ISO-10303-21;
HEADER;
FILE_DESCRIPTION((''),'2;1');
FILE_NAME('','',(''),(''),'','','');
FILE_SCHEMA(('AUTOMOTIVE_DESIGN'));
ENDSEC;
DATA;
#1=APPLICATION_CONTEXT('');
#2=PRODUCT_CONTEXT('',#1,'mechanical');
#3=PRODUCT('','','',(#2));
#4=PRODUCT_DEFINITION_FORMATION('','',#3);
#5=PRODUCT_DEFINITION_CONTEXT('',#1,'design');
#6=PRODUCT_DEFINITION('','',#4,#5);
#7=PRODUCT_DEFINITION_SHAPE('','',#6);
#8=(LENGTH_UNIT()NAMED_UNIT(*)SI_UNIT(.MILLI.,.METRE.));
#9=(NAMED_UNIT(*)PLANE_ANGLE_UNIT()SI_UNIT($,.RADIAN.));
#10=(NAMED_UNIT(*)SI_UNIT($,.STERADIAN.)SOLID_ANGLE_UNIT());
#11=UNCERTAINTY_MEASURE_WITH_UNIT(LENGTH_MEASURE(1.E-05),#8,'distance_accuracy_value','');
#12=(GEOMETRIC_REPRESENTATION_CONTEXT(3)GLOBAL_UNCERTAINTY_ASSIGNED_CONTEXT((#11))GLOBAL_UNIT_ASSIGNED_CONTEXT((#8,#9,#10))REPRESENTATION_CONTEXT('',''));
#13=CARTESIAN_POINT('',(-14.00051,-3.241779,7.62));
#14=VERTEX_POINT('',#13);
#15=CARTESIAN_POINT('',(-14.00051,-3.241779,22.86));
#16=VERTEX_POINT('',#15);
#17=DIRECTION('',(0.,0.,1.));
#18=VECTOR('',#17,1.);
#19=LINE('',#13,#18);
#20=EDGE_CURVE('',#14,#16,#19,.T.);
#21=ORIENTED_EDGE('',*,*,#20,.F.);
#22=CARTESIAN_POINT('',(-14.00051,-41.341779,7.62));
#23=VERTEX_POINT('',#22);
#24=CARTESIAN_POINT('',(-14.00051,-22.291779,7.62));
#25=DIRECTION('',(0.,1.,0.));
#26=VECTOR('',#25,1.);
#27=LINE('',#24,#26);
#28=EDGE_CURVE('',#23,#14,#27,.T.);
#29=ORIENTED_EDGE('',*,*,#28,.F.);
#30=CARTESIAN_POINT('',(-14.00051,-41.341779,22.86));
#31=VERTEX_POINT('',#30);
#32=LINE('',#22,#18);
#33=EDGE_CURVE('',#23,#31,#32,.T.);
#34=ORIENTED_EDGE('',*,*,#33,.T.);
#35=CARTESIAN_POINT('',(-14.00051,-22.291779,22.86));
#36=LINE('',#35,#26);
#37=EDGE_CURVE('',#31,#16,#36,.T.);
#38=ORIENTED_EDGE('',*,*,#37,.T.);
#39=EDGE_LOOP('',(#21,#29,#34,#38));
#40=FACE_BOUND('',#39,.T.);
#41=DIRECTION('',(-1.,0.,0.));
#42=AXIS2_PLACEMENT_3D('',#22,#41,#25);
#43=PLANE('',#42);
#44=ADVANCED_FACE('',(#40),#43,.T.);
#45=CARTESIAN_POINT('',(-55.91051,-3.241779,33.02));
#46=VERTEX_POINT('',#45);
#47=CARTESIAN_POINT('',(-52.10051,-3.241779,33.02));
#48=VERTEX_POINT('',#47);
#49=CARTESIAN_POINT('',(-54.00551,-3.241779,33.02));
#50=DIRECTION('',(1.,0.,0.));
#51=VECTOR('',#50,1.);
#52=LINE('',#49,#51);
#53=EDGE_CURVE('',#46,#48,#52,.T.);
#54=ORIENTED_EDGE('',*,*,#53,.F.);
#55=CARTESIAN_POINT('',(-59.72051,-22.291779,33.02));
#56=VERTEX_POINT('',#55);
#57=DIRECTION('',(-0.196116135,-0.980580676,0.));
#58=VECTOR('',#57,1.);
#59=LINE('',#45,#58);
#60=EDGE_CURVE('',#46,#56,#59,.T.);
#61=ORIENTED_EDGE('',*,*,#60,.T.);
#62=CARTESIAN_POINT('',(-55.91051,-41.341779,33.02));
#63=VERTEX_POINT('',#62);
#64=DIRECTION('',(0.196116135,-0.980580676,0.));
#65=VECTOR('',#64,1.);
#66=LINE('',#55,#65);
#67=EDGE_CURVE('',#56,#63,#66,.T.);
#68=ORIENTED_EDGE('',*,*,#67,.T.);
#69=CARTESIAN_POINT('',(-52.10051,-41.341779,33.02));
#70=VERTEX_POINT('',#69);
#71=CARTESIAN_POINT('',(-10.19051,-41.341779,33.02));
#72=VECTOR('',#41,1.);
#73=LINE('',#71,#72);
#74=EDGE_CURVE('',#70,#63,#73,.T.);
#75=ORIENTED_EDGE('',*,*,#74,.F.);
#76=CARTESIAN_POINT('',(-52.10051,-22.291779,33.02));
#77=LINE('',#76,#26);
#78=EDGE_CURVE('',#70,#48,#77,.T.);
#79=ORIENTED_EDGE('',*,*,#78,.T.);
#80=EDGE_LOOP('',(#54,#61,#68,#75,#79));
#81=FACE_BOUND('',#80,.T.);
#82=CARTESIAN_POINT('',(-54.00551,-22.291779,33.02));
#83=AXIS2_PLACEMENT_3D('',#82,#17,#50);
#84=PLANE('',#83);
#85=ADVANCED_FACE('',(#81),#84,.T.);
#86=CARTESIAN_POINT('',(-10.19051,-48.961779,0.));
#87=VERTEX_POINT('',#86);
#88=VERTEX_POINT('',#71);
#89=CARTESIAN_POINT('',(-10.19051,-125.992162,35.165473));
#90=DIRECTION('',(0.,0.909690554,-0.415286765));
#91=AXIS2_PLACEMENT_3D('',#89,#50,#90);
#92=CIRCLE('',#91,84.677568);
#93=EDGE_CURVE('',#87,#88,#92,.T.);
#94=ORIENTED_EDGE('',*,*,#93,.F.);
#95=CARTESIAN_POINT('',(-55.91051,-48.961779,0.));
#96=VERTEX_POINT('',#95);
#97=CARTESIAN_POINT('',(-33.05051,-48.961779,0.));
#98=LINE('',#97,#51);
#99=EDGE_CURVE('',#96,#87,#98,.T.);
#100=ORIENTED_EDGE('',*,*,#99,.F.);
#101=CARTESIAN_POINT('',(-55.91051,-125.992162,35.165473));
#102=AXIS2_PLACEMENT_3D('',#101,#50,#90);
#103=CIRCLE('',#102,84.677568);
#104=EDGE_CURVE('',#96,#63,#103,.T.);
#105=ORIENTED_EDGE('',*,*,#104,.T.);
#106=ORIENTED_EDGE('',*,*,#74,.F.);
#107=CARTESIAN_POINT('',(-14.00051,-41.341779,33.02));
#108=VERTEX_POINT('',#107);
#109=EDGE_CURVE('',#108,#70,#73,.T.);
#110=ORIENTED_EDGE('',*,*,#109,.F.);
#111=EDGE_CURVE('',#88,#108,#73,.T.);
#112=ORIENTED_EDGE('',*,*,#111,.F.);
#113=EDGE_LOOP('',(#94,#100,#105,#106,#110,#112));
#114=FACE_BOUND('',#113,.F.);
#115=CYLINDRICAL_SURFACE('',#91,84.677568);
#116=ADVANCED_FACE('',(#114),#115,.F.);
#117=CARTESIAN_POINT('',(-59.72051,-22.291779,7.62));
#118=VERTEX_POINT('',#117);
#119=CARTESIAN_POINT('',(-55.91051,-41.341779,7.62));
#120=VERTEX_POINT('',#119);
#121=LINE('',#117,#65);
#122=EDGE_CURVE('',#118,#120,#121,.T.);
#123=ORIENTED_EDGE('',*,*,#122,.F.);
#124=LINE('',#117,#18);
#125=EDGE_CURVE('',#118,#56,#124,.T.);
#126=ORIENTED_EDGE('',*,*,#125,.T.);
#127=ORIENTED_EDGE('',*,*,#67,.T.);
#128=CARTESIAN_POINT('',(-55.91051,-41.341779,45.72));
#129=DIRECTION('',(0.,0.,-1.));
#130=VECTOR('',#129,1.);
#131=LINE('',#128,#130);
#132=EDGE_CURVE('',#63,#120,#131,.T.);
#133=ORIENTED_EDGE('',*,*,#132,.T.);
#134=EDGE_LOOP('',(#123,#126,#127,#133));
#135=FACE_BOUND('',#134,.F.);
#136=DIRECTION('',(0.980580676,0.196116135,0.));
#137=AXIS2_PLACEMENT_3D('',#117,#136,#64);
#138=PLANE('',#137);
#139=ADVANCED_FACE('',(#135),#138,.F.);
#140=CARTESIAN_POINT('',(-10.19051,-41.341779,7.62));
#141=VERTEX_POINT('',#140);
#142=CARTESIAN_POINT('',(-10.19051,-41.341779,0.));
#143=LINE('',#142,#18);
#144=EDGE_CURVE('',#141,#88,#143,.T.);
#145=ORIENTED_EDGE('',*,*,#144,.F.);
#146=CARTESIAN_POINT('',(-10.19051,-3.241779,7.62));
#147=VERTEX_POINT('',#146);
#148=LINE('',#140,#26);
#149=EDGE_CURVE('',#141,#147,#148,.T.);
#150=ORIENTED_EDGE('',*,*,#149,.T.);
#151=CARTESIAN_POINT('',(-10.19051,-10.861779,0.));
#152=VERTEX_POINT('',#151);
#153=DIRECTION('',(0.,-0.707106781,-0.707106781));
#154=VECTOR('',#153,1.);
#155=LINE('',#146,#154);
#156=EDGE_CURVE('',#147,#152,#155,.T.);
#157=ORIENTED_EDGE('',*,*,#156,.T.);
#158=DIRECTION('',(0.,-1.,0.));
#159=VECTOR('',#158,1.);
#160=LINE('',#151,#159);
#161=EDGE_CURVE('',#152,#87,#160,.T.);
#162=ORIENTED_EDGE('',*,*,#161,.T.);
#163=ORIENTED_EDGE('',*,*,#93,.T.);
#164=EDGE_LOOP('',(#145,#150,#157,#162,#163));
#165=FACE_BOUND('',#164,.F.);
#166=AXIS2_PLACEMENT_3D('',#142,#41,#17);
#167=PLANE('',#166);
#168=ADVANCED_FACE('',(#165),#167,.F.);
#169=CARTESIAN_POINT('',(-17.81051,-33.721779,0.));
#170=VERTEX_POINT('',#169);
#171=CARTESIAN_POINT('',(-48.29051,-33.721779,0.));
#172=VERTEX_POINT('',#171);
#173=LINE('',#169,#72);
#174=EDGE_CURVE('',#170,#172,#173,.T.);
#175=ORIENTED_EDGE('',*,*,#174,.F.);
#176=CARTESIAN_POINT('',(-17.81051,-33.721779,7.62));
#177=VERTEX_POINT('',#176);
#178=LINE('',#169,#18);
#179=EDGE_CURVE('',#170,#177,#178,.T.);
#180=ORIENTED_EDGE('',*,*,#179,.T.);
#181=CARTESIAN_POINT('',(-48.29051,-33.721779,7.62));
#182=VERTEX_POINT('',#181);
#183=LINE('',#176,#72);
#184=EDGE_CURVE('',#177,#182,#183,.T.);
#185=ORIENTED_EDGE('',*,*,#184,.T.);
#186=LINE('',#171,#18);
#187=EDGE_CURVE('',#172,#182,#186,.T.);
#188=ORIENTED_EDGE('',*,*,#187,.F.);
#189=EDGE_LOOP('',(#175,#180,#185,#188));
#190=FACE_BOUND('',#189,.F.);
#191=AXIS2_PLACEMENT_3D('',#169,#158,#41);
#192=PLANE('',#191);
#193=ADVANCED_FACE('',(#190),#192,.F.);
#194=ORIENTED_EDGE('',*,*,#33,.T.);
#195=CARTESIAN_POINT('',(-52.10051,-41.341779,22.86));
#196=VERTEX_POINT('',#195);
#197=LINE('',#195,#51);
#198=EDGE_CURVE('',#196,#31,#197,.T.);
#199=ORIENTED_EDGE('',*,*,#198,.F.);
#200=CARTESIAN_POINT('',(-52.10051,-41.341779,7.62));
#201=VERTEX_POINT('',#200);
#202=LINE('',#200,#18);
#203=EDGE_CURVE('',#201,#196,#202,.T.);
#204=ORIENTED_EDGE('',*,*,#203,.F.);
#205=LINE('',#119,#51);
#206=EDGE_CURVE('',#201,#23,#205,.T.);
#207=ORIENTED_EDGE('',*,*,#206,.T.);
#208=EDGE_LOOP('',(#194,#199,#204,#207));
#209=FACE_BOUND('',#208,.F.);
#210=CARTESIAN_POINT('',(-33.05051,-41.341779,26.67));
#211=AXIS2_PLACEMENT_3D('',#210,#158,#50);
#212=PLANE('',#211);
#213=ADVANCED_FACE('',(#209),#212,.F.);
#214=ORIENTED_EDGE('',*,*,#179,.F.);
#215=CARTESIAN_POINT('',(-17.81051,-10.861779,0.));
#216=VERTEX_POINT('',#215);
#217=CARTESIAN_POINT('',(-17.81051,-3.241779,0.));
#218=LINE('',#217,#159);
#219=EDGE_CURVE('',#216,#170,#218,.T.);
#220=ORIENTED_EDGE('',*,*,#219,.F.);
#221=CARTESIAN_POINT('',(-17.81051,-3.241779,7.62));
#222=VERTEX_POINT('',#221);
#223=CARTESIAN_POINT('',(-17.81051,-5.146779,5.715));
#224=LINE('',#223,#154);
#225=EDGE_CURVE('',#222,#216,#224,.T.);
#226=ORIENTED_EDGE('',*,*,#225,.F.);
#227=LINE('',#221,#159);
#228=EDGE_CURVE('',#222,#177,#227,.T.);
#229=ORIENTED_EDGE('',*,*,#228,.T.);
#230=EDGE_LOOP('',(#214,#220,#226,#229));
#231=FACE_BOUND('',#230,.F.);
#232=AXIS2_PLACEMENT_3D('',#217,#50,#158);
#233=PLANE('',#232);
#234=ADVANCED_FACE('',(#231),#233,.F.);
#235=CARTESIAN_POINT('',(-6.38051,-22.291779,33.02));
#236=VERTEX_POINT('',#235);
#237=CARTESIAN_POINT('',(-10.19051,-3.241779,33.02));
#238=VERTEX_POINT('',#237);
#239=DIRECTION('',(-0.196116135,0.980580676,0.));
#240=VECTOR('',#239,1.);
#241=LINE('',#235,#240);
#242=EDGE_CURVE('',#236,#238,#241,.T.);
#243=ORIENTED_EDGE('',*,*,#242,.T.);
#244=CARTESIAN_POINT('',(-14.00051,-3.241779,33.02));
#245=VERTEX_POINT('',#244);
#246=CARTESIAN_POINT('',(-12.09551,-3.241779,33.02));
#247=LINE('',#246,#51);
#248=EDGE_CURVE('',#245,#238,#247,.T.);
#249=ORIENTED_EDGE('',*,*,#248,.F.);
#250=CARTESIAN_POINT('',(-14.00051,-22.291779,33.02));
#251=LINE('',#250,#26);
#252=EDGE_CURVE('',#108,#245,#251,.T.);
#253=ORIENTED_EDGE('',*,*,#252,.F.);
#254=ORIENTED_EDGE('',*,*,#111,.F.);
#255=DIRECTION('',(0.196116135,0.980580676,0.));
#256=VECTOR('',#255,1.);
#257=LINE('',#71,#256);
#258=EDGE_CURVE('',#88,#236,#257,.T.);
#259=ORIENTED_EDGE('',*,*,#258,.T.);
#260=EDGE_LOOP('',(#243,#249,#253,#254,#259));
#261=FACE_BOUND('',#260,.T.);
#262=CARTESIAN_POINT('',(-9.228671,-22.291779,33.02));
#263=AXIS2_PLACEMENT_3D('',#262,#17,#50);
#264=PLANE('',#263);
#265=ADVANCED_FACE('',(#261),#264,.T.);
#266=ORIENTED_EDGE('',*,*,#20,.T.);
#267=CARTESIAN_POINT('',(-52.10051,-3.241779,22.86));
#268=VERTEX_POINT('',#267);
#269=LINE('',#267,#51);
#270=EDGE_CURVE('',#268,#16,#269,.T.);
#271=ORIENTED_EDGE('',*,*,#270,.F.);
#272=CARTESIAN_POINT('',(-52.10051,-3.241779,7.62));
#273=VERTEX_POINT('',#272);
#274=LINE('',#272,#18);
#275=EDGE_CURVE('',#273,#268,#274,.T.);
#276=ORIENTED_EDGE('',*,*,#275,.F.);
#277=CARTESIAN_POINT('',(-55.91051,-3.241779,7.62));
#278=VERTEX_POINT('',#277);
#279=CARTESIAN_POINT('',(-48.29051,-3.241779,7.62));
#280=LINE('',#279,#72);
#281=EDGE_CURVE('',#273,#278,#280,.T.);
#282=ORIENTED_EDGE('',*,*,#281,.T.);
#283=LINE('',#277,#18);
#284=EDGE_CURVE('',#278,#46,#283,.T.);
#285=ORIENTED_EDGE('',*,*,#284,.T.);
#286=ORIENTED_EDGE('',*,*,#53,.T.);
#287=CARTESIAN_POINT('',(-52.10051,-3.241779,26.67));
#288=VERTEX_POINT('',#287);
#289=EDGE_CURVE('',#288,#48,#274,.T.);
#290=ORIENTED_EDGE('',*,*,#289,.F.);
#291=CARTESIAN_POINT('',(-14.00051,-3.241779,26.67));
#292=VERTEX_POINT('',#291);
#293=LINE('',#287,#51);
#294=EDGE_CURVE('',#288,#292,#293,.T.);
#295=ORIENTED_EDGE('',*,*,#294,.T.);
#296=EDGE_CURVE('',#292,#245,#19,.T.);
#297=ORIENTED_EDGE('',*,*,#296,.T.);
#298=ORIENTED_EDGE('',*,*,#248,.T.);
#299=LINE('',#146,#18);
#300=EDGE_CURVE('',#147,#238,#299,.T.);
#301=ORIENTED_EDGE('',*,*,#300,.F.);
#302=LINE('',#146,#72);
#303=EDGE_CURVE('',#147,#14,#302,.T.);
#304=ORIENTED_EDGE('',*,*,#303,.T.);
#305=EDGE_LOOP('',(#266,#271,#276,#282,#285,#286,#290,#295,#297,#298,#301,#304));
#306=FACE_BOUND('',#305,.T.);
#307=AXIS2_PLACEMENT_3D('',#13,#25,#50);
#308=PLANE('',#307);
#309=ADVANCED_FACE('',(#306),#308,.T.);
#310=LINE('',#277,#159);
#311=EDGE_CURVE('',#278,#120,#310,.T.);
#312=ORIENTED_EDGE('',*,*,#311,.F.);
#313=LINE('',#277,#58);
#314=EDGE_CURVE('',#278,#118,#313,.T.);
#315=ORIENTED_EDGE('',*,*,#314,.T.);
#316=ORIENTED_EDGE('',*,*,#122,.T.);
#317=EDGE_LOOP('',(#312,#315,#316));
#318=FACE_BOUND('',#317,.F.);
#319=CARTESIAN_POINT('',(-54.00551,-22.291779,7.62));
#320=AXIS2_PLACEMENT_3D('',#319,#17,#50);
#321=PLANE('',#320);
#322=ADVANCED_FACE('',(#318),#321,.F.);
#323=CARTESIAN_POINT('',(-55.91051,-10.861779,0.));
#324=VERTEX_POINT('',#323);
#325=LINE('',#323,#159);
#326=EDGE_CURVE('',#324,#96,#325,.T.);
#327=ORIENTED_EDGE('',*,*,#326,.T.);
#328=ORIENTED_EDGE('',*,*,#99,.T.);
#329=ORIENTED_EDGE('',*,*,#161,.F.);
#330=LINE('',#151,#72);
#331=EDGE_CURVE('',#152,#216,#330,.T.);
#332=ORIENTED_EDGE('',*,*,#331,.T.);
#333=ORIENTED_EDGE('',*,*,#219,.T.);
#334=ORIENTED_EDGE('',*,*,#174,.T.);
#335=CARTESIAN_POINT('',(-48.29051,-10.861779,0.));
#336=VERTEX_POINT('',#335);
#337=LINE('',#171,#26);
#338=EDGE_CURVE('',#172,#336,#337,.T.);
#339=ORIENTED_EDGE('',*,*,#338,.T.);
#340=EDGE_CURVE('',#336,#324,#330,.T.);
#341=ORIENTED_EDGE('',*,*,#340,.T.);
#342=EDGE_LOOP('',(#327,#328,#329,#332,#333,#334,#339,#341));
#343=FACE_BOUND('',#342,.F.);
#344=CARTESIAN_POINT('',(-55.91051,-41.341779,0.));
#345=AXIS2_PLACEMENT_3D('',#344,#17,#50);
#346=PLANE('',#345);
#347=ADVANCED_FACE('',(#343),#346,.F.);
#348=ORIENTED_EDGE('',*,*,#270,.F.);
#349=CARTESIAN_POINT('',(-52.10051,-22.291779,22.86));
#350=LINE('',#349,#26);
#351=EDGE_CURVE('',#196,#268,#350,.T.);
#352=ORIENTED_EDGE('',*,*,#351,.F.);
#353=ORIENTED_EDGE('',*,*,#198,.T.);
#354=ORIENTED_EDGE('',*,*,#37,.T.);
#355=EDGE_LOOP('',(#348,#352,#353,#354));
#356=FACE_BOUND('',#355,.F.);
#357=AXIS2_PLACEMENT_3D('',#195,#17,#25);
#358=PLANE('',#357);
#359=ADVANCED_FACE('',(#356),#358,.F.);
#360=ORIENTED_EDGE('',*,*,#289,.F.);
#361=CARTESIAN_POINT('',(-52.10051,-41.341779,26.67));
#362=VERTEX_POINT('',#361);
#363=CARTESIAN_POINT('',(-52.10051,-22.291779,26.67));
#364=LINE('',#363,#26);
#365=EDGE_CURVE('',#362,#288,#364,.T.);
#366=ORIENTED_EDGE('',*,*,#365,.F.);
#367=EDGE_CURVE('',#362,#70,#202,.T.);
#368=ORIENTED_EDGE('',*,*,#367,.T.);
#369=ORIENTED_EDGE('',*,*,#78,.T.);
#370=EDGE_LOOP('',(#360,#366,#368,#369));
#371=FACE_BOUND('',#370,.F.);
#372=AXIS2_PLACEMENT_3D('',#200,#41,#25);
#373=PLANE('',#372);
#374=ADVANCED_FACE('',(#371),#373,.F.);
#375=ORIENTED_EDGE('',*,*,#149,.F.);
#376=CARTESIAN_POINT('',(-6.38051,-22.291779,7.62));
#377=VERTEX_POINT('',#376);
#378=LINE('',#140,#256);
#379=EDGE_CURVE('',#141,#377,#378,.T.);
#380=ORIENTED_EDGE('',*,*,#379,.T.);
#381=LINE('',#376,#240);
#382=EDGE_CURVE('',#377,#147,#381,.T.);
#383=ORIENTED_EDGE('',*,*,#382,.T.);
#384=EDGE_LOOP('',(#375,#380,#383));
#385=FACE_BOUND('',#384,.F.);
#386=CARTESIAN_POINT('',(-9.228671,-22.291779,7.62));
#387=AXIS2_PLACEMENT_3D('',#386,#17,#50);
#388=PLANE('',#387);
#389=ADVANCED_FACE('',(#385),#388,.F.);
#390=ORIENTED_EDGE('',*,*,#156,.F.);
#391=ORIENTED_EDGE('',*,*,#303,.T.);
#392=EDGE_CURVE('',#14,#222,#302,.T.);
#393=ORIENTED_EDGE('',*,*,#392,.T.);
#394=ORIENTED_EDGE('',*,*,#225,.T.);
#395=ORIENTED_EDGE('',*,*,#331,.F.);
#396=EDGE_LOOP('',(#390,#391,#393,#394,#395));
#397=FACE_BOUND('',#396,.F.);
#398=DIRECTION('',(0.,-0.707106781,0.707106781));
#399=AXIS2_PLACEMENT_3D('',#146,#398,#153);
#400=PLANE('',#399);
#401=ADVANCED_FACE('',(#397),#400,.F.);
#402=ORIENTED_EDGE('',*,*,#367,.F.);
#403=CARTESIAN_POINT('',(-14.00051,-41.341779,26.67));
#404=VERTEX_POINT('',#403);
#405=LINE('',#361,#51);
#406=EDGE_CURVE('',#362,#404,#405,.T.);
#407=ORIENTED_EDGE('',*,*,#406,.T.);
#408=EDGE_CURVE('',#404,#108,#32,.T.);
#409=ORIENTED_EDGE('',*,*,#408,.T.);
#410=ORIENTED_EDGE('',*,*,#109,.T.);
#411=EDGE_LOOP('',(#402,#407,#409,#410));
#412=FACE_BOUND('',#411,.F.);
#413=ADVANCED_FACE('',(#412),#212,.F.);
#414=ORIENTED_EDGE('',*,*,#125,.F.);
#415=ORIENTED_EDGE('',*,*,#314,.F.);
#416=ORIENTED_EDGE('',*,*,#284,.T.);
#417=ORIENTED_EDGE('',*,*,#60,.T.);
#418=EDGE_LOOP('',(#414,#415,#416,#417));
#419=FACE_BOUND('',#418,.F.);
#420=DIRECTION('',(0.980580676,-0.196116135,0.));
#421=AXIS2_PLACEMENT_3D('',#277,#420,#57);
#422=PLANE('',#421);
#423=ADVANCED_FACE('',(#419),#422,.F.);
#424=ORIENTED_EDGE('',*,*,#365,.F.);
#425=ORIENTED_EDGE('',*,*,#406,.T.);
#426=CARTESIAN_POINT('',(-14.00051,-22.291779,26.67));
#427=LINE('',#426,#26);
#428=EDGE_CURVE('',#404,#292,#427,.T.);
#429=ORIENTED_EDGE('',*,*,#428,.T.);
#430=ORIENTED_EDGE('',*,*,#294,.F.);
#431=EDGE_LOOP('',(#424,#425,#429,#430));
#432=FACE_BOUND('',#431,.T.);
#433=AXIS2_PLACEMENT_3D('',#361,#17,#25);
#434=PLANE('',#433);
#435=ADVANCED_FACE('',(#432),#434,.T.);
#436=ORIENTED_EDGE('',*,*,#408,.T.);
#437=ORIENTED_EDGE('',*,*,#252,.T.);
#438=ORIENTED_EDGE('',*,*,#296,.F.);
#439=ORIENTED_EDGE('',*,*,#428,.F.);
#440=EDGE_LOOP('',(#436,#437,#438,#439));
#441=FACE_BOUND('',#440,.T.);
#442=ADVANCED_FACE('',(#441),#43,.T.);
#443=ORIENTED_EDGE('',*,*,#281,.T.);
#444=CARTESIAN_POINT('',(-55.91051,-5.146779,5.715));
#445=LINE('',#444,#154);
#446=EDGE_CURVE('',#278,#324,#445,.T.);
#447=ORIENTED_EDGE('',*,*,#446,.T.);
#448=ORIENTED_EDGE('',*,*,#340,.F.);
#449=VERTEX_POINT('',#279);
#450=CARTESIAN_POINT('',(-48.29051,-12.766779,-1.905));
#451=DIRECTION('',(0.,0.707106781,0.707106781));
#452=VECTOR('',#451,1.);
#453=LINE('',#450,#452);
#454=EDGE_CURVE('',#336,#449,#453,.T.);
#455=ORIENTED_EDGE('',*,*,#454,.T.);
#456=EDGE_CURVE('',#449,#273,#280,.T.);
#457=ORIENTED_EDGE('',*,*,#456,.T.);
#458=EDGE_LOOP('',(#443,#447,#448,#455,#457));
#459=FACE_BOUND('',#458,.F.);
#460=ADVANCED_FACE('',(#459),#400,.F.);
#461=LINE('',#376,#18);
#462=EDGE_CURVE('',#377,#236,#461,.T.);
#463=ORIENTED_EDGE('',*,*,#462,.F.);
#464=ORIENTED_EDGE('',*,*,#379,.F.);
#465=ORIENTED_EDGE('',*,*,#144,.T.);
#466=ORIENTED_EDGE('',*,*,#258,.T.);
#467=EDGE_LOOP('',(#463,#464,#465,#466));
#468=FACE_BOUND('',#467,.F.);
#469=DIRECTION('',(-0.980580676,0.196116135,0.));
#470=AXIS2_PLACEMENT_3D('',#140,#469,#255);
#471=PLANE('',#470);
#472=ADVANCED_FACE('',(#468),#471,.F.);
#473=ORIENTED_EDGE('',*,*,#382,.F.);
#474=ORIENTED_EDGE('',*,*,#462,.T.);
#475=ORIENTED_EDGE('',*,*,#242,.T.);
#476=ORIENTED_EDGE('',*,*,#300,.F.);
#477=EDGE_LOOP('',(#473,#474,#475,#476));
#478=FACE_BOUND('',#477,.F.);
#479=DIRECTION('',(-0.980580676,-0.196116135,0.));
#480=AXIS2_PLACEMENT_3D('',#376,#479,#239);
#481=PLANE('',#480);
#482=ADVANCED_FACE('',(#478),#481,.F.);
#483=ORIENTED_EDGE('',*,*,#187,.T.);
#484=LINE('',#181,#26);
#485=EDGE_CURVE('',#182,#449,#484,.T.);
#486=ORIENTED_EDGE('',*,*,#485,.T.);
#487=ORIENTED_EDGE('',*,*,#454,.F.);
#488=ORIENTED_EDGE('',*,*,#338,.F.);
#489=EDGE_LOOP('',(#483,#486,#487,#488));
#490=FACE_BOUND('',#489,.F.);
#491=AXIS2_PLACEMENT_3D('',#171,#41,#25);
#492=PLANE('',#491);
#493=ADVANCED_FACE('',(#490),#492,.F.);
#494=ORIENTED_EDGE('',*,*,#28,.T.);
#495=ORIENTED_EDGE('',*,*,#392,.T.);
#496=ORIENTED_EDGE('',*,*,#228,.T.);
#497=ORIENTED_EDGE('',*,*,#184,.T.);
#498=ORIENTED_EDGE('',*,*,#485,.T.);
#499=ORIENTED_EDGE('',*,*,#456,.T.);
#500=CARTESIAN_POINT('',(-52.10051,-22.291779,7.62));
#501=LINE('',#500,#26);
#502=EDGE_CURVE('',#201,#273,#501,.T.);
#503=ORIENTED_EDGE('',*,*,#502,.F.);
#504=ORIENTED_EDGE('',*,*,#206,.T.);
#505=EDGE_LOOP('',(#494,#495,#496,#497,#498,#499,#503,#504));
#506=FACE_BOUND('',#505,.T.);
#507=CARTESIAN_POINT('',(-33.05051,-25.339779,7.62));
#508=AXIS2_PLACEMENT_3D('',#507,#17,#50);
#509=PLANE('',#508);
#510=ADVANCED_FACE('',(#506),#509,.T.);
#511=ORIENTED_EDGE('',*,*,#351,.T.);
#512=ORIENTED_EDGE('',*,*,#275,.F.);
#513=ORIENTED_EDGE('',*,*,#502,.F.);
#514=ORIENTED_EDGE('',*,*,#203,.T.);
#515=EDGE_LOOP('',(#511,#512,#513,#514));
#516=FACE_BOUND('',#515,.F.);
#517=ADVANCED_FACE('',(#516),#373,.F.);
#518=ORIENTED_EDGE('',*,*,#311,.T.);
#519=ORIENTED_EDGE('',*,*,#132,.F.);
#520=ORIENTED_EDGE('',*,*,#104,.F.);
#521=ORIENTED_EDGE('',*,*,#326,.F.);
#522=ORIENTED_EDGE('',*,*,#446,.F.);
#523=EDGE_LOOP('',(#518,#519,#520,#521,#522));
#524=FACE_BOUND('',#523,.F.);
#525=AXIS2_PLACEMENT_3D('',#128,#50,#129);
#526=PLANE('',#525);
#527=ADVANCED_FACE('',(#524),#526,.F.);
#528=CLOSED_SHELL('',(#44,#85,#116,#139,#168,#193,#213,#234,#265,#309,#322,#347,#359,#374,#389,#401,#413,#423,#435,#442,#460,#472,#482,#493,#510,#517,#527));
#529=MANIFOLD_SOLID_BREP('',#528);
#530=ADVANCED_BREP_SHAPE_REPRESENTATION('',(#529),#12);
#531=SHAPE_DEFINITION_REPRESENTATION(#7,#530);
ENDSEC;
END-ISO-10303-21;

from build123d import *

# Parameters (mm, degrees)
F1_DEPTH  = 7.62
F3_DEPTH  = 50.8
F4_W      = 45.72
F4_H      = 38.1
F4_H_2    = 7.62
F5_DEPTH  = 7.62
F7_DEPTH  = 50.8
F8_W      = 3.81
F8_H      = 38.1
F9_DEPTH  = 25.4
F10_W     = 38.1
F10_H     = 3.81
F11_DEPTH = 38.1


with BuildPart() as f1:
    # F0 (on Top) → F1 (new body)
    with BuildSketch(Plane.XY):
        Polygon((-48.29051, -3.241779), (-55.91051, -3.241779), (-55.91051, -41.341779), (-10.19051, -41.341779), (-10.19051, -3.241779), (-17.81051, -3.241779), (-17.81051, -33.721779), (-48.29051, -33.721779), align=None)
    extrude(amount=F1_DEPTH)

    # F2 (on face) → F3 (cut)
    with BuildSketch(Plane.YZ.offset(-10.19051)):
        Polygon((-3.241779, 0), (-3.241779, 7.62), (-10.861779, 0), align=None)
    extrude(amount=-F3_DEPTH, mode=Mode.SUBTRACT)

    # F4 (on face) → F5 (join)
    with BuildSketch(Plane.XZ.offset(41.341779)):
        with Locations((-33.05051, 26.67)):
            Rectangle(F4_W, F4_H)
        with Locations((-33.05051, 3.81)):
            Rectangle(F4_W, F4_H_2)
    extrude(amount=F5_DEPTH)

    # F6 (on face) → F7 (cut)
    with BuildSketch(Plane.YZ.offset(-10.19051)):
        with BuildLine():
            Line((-48.961779, 45.72), (-48.961779, 0))
            ThreePointArc((-48.961779, 0), (-43.483086, 16.124917), (-41.341779, 33.02))
            Line((-41.341779, 33.02), (-41.341779, 45.72))
            Line((-41.341779, 45.72), (-48.961779, 45.72))
        make_face()
    extrude(amount=-F7_DEPTH, mode=Mode.SUBTRACT)

    # F8 (on face) → F9 (join)
    with BuildSketch(Plane.XY.offset(7.62)):
        Polygon((-10.19051, -3.241779), (-10.19051, -41.341779), (-6.38051, -22.291779), align=None)
        with Locations((-12.09551, -22.291779)):
            Rectangle(F8_W, F8_H)
        with Locations((-54.00551, -22.291779)):
            Rectangle(F8_W, F8_H)
        Polygon((-59.72051, -22.291779), (-55.91051, -41.341779), (-55.91051, -3.241779), align=None)
    extrude(amount=F9_DEPTH)

    # F10 (on face) → F11 (join)
    with BuildSketch(Plane.YZ.offset(-52.10051)):
        with Locations((-22.291779, 24.765)):
            Rectangle(F10_W, F10_H)
    extrude(amount=F11_DEPTH)


solid = f1.part
